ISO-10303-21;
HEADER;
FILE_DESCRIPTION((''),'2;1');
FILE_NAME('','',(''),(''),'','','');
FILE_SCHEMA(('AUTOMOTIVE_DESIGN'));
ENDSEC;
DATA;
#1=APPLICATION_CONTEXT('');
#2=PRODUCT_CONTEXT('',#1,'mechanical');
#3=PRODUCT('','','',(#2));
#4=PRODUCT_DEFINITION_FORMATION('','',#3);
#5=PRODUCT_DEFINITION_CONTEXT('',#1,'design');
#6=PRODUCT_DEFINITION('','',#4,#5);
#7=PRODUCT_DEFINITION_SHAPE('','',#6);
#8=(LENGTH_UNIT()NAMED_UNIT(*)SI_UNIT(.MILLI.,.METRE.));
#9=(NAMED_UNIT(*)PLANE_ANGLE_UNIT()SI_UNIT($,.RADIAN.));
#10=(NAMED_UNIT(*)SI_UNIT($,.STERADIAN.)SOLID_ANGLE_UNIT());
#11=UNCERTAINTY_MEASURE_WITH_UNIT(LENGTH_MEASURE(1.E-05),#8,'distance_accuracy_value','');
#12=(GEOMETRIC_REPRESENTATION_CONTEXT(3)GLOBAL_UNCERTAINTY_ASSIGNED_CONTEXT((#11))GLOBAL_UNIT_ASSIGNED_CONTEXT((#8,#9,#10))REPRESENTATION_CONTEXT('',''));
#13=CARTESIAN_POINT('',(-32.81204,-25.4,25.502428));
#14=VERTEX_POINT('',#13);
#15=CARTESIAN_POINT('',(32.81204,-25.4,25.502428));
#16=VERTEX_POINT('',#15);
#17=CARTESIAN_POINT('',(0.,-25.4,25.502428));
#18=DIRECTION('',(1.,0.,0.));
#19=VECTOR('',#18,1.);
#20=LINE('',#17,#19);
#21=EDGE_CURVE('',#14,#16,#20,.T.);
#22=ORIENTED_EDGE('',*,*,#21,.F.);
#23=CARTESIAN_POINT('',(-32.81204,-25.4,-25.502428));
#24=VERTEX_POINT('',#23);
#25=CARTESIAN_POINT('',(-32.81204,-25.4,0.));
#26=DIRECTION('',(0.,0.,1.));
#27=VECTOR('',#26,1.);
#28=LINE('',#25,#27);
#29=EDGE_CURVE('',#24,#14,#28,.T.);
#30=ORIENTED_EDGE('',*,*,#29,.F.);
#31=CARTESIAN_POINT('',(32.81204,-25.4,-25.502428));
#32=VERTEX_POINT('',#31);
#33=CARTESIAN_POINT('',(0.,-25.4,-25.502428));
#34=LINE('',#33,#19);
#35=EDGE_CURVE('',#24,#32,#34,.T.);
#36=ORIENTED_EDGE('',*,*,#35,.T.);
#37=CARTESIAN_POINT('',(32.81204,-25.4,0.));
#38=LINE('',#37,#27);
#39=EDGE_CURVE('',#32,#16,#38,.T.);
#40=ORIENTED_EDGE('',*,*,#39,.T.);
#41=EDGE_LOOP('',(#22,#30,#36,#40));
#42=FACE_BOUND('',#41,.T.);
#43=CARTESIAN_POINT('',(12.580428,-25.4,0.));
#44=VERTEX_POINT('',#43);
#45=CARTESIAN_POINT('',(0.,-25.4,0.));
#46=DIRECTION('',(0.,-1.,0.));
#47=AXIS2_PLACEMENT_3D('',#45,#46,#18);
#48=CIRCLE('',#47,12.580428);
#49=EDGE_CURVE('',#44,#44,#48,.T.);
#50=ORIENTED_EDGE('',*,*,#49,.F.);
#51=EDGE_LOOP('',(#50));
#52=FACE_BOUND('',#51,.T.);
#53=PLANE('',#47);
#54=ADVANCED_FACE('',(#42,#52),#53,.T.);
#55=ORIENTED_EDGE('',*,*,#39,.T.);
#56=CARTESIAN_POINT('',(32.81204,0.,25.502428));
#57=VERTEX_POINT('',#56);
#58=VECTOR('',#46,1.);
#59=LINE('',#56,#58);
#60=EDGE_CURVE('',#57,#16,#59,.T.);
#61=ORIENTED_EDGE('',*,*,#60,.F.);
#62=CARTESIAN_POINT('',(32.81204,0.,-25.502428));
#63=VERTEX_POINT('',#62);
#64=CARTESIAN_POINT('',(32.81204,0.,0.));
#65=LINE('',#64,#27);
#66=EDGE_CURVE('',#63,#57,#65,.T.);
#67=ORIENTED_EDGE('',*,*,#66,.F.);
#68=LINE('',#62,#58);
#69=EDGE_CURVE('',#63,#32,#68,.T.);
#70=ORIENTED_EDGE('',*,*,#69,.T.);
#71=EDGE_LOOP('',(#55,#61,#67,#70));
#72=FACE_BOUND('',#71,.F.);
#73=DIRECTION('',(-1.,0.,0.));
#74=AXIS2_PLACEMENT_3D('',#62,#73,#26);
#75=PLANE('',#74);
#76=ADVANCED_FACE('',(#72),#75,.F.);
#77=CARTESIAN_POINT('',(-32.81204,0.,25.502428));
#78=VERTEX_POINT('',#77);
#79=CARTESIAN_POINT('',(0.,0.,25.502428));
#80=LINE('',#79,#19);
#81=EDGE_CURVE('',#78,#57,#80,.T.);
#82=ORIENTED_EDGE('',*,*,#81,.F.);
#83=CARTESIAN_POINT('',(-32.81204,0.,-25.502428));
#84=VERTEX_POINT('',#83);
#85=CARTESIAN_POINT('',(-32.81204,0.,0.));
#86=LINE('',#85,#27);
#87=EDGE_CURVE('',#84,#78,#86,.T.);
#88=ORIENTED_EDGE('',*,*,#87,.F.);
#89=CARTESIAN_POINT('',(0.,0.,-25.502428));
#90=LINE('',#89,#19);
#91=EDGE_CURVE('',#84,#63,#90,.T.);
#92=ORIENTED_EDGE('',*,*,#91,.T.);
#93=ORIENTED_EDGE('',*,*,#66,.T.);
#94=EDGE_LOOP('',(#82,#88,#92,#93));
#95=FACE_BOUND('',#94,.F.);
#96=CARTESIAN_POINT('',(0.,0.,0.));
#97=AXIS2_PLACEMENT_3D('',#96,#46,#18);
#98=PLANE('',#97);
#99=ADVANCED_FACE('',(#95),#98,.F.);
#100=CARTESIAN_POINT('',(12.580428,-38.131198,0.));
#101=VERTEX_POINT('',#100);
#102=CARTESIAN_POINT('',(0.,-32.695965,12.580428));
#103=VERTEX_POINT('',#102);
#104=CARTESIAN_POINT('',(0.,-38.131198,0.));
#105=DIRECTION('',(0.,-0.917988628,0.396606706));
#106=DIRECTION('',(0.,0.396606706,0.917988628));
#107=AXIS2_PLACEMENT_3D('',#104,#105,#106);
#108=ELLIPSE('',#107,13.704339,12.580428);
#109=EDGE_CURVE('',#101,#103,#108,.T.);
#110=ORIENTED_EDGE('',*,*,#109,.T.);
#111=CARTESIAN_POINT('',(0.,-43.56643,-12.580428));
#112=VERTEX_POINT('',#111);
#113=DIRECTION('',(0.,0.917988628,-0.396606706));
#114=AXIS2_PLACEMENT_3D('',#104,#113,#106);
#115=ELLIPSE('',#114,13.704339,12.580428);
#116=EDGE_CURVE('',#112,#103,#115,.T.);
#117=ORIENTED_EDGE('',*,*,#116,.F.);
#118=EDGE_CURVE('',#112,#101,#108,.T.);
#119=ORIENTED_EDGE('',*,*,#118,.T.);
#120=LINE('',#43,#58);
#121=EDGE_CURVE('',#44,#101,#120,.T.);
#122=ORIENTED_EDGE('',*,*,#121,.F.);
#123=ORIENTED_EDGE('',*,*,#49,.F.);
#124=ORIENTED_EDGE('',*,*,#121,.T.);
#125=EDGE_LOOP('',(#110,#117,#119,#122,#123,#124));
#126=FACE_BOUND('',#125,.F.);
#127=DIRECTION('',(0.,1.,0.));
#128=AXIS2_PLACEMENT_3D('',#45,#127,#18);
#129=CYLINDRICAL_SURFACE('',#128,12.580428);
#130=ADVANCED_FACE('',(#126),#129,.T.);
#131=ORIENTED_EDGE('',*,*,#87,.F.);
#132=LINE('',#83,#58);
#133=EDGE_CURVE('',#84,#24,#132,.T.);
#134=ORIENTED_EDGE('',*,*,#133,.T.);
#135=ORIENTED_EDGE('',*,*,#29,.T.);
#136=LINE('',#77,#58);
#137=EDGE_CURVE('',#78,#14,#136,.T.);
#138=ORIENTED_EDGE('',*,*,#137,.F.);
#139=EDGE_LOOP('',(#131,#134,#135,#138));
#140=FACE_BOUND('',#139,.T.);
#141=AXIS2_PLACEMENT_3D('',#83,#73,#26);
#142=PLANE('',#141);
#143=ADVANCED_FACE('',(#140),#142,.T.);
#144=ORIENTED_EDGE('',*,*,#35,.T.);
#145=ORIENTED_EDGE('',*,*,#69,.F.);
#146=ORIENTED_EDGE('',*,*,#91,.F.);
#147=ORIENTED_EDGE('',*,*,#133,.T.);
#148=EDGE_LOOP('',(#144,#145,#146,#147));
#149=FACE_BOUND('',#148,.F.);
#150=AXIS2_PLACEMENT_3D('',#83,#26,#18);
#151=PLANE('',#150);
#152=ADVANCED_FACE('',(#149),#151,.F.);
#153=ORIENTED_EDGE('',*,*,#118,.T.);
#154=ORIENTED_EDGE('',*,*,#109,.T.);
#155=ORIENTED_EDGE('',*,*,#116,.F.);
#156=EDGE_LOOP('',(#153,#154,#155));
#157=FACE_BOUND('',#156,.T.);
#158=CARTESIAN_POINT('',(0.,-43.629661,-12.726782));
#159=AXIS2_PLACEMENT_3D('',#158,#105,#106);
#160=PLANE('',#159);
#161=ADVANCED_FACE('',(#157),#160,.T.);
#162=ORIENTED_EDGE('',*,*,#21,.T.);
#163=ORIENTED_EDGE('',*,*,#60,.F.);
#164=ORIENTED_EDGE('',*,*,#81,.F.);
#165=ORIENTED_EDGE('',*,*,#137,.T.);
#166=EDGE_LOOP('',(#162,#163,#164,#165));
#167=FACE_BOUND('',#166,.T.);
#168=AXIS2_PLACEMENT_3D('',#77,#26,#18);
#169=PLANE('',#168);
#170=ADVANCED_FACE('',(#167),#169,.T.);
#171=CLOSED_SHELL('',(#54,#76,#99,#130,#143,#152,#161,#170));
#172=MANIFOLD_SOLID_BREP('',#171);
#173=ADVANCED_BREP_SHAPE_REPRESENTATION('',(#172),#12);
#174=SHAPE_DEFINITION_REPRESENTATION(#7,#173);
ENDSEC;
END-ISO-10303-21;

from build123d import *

# Parameters (mm, degrees)
F0_W          = 65.6240805984
F0_H          = 51.0048568249
F1_DEPTH      = 25.4
F2_R          = 12.5804275278
F3_DEPTH      = 25.4
F5_DEPTH      = 25.4
F5_DEPTH_BACK = 25.4


with BuildPart() as f1:
    # F0 (on Front) → F1 (new body)
    with BuildSketch(Plane.XZ):
        Rectangle(F0_W, F0_H)
    extrude(amount=F1_DEPTH)

    # F2 (on face) → F3 (join)
    with BuildSketch(Plane.XZ.offset(25.4)):
        Circle(F2_R)
    extrude(amount=F3_DEPTH)

    # F4 (on Right) → F5 (cut, two sides)
    with BuildSketch(Plane.YZ) as f5_sk:
        Polygon((-51.2365475297, -13.4750008583), (-43.6296612024, -12.7267818898), (-32.5310863554, 12.9620563239), (-51.2365475297, 12.9620563239), align=None)
    extrude(amount=-F5_DEPTH, mode=Mode.SUBTRACT)
    extrude(f5_sk.sketch, amount=F5_DEPTH_BACK, mode=Mode.SUBTRACT)


solid = f1.part
